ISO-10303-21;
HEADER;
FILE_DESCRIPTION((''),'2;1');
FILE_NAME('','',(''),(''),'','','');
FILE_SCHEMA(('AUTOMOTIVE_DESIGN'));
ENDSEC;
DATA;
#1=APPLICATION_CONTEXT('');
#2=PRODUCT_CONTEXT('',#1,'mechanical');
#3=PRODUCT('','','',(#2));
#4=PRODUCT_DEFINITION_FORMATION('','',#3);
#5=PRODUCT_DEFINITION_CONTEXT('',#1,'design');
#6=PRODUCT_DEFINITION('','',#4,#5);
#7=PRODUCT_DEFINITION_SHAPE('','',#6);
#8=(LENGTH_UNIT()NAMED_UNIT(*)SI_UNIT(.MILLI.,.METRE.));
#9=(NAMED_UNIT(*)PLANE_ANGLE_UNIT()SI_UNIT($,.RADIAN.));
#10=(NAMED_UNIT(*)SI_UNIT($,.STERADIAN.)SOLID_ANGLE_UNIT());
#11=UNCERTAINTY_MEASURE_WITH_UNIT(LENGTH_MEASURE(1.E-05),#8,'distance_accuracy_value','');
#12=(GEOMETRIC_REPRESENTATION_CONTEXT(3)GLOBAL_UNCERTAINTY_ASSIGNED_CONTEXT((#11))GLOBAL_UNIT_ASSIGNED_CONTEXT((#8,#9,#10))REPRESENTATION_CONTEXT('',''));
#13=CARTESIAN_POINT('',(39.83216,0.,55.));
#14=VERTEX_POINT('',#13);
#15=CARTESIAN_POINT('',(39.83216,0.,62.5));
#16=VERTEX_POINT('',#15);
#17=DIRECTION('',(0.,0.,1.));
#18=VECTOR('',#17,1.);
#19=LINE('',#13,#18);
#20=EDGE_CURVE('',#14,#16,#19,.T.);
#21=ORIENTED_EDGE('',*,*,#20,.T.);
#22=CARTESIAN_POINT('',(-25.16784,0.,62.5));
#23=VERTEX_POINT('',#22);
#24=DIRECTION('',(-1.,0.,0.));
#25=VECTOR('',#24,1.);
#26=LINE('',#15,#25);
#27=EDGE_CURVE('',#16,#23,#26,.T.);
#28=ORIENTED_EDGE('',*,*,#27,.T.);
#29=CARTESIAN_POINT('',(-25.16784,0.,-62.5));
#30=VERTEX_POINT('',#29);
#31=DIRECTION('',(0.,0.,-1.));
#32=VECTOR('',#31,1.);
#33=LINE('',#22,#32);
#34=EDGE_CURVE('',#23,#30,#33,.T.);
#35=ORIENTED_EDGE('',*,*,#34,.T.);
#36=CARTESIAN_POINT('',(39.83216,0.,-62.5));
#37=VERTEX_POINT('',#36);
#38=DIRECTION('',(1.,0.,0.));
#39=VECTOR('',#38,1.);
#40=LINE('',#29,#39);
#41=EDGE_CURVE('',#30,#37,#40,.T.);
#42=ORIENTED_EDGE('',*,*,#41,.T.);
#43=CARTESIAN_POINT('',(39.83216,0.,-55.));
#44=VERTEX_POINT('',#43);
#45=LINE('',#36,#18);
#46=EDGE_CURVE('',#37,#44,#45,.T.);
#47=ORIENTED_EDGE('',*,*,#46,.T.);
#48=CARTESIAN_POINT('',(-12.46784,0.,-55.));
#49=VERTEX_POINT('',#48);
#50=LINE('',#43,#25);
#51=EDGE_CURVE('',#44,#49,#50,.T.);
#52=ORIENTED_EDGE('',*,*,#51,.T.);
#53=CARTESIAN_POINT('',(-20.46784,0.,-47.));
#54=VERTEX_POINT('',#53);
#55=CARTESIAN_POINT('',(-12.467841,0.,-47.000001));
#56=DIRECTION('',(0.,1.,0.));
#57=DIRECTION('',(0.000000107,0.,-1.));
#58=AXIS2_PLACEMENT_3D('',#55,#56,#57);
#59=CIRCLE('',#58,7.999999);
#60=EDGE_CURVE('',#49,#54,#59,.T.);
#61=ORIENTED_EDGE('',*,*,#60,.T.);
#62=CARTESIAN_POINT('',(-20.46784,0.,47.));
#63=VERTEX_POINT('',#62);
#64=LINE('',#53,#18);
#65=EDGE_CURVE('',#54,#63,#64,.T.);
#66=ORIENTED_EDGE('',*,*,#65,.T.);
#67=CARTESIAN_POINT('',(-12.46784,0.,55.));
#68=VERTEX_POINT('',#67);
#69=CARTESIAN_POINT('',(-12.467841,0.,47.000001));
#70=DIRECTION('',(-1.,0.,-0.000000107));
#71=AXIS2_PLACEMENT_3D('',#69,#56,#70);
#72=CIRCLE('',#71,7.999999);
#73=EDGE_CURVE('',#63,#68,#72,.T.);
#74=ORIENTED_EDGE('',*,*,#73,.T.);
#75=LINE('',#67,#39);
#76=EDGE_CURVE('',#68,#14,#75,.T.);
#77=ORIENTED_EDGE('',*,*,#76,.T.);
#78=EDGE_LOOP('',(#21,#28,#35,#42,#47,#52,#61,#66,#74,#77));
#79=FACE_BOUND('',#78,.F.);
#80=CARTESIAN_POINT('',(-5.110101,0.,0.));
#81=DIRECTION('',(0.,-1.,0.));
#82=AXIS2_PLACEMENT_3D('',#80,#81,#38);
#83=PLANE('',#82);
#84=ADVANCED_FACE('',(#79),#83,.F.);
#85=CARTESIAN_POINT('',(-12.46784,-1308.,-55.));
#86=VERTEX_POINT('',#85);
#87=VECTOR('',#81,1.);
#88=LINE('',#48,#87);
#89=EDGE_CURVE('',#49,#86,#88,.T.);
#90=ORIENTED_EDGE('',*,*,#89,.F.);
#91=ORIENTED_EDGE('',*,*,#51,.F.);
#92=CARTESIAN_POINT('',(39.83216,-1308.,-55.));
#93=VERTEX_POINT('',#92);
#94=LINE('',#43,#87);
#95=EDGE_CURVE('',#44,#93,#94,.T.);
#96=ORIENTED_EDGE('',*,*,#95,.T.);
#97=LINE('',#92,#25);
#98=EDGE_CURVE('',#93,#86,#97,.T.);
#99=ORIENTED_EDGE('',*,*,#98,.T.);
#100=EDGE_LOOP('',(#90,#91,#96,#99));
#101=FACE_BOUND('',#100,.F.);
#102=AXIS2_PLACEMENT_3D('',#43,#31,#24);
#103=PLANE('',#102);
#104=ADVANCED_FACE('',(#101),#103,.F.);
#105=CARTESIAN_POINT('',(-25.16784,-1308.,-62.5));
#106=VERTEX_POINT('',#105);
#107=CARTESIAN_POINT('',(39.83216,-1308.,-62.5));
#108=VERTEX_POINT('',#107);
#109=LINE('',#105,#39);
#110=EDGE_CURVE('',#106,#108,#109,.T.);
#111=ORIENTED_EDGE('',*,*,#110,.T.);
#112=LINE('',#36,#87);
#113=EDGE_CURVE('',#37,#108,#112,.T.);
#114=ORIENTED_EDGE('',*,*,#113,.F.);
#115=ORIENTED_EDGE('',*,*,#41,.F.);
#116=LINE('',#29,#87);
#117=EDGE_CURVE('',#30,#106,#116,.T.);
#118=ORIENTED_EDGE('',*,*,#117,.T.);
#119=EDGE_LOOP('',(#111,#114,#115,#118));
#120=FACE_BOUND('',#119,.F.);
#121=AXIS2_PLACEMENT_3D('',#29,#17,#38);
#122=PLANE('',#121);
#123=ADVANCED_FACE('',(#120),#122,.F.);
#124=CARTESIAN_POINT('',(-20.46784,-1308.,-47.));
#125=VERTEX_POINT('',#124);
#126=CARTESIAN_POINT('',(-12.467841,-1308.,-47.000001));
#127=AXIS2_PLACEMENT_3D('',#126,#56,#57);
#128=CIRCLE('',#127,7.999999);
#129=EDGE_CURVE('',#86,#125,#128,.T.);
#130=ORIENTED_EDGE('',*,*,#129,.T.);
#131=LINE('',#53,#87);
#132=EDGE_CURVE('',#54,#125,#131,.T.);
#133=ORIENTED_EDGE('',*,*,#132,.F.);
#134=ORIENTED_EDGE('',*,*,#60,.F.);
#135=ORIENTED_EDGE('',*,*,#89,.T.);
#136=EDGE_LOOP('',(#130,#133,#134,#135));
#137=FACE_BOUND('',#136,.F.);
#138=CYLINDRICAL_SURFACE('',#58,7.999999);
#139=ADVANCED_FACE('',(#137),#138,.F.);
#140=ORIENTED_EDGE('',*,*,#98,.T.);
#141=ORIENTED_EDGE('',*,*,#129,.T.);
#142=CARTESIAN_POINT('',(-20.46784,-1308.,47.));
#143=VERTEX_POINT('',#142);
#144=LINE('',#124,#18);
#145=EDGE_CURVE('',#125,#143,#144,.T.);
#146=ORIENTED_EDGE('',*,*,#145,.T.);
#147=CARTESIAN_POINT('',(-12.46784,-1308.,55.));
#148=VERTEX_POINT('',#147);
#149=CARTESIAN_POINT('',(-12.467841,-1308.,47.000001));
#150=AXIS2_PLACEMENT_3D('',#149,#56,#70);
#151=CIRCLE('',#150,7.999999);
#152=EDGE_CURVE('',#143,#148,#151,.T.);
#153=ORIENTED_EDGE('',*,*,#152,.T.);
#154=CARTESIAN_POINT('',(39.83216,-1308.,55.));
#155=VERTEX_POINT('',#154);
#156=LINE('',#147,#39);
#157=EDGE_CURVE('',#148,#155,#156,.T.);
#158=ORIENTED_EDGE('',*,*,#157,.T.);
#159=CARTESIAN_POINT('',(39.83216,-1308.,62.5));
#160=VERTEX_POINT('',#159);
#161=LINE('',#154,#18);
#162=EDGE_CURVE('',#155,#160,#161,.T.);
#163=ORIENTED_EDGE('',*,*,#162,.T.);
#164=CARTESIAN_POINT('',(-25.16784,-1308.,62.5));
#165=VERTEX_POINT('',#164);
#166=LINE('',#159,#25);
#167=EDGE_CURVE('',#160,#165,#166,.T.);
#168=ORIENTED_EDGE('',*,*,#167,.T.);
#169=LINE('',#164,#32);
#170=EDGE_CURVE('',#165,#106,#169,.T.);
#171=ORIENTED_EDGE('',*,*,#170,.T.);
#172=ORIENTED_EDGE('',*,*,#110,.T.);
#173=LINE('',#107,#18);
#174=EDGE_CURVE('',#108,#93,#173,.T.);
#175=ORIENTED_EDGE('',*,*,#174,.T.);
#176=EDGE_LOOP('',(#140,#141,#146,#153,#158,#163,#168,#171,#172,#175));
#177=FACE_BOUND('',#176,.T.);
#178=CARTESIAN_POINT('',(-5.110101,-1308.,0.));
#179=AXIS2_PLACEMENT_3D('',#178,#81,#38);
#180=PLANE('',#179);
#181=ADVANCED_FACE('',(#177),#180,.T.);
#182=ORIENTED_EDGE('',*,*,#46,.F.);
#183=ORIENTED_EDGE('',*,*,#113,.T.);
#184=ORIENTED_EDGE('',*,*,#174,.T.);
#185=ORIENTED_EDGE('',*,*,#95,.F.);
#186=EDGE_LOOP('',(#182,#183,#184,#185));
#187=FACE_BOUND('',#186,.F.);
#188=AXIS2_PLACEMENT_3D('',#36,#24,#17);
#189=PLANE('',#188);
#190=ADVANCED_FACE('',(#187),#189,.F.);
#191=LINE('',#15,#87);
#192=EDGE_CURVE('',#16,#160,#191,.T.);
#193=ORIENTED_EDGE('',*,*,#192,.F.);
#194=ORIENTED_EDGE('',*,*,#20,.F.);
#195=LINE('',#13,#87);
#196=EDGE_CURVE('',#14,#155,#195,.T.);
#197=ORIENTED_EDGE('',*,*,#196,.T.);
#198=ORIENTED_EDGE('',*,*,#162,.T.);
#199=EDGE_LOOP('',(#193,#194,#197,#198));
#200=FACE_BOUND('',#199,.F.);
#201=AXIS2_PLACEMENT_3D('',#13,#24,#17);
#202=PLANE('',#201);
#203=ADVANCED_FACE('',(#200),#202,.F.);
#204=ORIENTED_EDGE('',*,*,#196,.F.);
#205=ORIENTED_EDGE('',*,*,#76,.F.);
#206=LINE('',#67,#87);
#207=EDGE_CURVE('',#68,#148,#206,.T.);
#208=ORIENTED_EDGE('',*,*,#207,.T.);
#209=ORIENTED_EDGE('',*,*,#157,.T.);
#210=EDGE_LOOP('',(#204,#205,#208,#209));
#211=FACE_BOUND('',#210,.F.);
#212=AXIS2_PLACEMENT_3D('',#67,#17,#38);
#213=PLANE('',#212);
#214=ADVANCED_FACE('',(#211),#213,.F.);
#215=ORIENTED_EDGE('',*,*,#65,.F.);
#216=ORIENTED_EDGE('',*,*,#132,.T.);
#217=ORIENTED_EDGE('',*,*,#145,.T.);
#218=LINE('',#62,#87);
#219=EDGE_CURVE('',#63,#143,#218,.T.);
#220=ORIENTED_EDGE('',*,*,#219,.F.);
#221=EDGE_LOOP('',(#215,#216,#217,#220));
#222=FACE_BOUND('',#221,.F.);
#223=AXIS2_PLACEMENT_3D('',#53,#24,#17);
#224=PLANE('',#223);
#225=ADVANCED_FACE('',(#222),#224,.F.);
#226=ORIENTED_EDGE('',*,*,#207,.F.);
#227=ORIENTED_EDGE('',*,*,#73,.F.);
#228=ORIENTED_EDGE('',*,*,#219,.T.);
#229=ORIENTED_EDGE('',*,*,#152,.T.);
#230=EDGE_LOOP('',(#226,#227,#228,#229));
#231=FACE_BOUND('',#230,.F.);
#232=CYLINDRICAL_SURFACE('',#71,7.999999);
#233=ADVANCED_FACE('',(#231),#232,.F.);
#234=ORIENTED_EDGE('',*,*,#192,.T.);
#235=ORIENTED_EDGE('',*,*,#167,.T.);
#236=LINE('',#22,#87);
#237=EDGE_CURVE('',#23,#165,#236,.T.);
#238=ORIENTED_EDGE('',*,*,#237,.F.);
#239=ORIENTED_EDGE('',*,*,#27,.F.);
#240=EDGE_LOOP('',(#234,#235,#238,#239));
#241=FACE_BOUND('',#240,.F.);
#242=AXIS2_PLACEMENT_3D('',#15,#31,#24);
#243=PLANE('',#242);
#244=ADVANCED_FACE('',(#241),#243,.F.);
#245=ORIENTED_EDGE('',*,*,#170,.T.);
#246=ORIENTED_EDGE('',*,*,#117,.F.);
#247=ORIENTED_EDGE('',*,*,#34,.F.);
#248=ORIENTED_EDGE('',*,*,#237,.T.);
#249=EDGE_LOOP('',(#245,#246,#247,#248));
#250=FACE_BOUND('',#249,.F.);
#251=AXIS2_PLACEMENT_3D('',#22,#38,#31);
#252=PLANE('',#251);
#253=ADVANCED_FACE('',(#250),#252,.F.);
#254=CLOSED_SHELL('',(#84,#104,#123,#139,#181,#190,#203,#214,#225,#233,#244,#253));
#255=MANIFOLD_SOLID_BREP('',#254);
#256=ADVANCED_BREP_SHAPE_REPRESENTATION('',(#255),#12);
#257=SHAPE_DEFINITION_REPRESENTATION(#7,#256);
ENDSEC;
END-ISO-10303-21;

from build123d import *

# Parameters (mm, degrees)
F1_DEPTH = 1308


with BuildPart() as f1:
    # F0 (on Front) → F1 (new body)
    with BuildSketch(Plane.XZ):
        with BuildLine():
            Line((-25.16784, 62.5), (-25.16784, -62.5))
            Line((-25.16784, -62.5), (39.83216, -62.5))
            Line((39.83216, -62.5), (39.83216, -55))
            Line((39.83216, -55), (-12.46784, -55))
            ThreePointArc((-12.46784, -55), (-18.124695, -52.656854), (-20.46784, -47))
            Line((-20.46784, -47), (-20.46784, 47))
            ThreePointArc((-20.46784, 47), (-18.124695, 52.656854), (-12.46784, 55))
            Line((-12.46784, 55), (39.83216, 55))
            Line((39.83216, 55), (39.83216, 62.5))
            Line((39.83216, 62.5), (-25.16784, 62.5))
        make_face()
    extrude(amount=F1_DEPTH)


solid = f1.part
